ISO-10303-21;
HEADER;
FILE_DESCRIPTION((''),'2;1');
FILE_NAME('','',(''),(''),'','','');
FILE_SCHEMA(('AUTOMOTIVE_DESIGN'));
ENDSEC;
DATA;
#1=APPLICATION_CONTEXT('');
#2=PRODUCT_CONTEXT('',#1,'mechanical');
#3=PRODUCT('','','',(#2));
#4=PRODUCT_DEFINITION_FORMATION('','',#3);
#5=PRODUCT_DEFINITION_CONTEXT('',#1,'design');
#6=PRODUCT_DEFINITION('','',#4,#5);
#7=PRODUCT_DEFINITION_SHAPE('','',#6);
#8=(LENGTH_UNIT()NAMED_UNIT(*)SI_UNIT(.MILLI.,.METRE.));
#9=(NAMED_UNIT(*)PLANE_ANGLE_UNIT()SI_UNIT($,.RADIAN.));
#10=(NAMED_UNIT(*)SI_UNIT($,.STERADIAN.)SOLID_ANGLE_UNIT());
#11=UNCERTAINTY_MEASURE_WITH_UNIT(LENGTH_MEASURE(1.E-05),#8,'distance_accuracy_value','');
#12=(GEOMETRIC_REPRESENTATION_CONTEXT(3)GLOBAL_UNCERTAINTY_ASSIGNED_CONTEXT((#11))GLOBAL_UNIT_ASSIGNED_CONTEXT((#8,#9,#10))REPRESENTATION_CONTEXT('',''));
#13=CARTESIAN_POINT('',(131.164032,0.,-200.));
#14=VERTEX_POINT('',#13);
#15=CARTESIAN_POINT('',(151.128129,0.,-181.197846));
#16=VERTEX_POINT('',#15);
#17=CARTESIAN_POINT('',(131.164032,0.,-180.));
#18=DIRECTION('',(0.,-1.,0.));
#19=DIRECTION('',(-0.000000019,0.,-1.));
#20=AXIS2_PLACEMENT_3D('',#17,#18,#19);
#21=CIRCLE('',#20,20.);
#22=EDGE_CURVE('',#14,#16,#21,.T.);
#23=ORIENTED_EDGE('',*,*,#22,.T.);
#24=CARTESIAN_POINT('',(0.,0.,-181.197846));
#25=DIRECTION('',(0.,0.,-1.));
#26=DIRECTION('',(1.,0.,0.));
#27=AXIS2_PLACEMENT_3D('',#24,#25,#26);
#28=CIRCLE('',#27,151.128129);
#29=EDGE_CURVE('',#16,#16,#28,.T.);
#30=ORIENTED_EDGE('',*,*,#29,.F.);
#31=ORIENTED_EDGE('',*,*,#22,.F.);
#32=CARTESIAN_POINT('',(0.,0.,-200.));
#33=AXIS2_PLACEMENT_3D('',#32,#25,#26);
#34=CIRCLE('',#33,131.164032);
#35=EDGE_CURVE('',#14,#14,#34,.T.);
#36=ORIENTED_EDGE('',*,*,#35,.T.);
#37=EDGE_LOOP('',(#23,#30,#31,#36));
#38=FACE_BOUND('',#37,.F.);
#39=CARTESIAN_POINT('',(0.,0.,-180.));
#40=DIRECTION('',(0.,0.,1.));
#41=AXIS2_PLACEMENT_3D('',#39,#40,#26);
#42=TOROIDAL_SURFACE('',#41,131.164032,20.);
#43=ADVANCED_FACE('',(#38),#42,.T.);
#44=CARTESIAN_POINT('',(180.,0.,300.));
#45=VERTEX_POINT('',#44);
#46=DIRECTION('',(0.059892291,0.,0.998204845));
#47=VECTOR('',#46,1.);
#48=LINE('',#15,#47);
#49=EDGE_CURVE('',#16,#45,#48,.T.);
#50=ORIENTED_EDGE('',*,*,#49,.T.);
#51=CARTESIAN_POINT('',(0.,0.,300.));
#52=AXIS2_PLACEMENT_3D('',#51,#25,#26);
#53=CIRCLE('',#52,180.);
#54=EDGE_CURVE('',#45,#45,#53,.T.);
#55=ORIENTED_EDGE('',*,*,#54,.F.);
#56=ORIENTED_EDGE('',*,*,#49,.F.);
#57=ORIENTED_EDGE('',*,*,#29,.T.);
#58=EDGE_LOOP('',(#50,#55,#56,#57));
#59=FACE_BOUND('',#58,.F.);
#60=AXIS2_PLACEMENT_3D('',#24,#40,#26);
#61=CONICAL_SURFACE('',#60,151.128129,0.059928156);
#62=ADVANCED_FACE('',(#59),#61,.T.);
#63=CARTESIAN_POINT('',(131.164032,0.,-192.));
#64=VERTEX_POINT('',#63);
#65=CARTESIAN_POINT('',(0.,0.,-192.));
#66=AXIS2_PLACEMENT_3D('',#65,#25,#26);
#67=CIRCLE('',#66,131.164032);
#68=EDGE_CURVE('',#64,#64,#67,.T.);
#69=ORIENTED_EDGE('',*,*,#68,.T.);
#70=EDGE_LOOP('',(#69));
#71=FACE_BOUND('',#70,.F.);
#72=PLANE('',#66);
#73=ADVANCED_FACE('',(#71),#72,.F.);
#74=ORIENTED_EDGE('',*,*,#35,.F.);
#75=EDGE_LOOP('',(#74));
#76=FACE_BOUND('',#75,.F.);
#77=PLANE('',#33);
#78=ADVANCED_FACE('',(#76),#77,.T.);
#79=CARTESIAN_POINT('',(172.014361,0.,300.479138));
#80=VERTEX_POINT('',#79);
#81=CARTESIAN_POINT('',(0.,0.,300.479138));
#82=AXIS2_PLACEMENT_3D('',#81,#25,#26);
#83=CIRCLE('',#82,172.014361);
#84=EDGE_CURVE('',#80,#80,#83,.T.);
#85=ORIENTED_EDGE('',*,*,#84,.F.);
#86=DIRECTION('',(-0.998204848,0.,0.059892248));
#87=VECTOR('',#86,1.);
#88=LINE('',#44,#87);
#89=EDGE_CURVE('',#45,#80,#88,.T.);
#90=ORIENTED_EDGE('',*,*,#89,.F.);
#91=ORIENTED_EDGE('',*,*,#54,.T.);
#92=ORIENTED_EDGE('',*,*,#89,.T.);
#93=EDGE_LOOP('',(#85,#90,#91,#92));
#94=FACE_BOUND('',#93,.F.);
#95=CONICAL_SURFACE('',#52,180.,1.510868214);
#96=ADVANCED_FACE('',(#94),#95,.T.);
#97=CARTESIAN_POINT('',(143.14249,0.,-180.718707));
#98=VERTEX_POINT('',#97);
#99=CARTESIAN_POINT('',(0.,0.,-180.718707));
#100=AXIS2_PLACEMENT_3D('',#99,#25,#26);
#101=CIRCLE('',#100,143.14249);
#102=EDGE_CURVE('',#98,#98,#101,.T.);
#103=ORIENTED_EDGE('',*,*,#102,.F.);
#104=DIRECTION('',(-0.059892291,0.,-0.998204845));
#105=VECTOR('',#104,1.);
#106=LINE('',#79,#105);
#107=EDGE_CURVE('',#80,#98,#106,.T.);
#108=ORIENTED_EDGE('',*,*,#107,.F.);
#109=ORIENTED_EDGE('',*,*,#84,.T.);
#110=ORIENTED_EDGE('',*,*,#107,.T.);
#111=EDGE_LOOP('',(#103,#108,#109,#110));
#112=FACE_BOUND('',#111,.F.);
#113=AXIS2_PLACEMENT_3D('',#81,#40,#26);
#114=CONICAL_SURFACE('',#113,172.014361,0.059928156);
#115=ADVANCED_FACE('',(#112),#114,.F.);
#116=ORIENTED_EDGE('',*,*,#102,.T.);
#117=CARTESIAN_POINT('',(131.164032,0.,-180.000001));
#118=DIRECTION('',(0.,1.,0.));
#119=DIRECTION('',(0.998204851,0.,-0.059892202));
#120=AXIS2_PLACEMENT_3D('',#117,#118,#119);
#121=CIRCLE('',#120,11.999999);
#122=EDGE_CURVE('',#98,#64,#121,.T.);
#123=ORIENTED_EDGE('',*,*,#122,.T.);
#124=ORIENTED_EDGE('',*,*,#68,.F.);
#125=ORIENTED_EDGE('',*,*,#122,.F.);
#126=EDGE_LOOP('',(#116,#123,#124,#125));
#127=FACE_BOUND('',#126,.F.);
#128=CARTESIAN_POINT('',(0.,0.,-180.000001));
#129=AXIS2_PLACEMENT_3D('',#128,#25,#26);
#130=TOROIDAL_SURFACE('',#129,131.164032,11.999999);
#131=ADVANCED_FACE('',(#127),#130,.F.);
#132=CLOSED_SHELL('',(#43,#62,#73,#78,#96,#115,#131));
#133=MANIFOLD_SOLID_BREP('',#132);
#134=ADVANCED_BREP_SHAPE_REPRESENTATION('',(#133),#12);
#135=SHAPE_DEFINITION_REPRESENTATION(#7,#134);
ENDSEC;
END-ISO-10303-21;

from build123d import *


with BuildPart() as f1:
    # F0 (on Front) → F1 (revolve)
    with BuildSketch(Plane.XZ):
        with BuildLine():
            ThreePointArc((131.164032, -200), (144.876127, -194.55948), (151.128129, -181.197846))
            Line((151.128129, -181.197846), (180, 300))
            Line((180, 300), (172.014361, 300.479138))
            Line((172.014361, 300.479138), (143.14249, -180.718707))
            ThreePointArc((143.14249, -180.718707), (139.391289, -188.735688), (131.164032, -192))
            Line((131.164032, -192), (0, -192))
            Line((0, -192), (0, -200))
            Line((0, -200), (131.164032, -200))
        make_face()
    revolve(axis=Axis((0, 0, -4.615398), (0, 0, -1)))


solid = f1.part
